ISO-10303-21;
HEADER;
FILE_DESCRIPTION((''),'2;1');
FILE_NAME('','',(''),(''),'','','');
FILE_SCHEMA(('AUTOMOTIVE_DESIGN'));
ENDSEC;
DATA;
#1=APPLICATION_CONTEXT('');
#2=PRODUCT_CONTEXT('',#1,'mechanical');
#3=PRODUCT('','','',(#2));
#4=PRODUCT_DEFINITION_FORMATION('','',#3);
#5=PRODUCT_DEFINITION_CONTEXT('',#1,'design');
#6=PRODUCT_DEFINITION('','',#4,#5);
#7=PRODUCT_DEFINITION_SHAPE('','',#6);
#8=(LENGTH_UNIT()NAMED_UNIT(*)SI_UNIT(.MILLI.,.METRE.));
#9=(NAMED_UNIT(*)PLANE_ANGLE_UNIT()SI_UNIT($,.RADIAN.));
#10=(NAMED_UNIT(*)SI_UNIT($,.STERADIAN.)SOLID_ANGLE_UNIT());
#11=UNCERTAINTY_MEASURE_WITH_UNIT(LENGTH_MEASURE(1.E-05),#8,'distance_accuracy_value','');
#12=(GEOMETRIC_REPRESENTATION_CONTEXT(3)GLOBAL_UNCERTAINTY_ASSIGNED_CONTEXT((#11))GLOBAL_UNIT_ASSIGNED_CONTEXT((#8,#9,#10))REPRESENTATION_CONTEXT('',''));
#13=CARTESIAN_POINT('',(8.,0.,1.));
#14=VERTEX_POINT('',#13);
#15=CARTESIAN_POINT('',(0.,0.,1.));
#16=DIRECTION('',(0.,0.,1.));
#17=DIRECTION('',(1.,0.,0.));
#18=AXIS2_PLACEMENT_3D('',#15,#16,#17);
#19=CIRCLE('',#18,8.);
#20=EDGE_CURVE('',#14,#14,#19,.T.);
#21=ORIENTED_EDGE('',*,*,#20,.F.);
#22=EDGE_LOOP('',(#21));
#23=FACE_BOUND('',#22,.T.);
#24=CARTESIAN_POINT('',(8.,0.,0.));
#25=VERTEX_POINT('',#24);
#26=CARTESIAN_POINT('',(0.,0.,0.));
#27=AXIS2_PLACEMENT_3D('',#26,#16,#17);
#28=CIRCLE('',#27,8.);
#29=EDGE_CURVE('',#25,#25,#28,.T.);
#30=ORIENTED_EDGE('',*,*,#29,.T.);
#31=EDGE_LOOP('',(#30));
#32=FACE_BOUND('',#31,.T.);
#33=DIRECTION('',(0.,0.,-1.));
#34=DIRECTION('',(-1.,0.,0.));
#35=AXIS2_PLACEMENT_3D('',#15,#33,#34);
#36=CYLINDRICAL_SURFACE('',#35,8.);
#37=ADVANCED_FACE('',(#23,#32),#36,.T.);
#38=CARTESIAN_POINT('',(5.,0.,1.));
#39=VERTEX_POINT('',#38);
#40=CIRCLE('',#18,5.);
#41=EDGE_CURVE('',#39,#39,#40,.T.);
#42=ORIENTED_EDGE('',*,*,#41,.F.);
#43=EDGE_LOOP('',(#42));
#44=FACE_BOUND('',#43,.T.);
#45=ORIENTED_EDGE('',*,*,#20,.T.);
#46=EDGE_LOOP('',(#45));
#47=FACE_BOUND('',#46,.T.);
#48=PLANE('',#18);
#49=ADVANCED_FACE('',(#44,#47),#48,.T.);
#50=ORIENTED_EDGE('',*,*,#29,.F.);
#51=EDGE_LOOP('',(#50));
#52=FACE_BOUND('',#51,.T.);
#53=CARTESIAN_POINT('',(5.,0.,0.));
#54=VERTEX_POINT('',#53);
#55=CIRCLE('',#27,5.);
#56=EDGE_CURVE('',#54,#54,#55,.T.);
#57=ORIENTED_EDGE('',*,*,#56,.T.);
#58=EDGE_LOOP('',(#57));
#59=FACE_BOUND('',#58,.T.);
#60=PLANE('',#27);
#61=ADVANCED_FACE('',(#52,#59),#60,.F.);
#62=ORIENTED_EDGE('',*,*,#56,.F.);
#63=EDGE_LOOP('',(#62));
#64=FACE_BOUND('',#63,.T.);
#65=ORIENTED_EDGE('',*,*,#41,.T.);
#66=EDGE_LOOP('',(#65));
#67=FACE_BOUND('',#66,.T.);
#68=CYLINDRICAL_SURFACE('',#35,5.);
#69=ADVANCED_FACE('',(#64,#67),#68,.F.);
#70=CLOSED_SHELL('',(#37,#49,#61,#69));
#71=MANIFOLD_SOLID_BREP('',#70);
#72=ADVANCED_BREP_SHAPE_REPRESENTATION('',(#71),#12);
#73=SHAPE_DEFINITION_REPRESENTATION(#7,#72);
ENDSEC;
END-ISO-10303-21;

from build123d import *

# Parameters (mm, degrees)
SKETCH1_R           = 8
SKETCH1_R_2         = 5
BOSS_EXTRUDE1_DEPTH = 1


with BuildPart() as part:
    # Sketch1 → Boss-Extrude1 (new body)
    with BuildSketch(Plane.XY):
        Circle(SKETCH1_R)
        Circle(SKETCH1_R_2, mode=Mode.SUBTRACT)
    extrude(amount=BOSS_EXTRUDE1_DEPTH)


solid = part.part
